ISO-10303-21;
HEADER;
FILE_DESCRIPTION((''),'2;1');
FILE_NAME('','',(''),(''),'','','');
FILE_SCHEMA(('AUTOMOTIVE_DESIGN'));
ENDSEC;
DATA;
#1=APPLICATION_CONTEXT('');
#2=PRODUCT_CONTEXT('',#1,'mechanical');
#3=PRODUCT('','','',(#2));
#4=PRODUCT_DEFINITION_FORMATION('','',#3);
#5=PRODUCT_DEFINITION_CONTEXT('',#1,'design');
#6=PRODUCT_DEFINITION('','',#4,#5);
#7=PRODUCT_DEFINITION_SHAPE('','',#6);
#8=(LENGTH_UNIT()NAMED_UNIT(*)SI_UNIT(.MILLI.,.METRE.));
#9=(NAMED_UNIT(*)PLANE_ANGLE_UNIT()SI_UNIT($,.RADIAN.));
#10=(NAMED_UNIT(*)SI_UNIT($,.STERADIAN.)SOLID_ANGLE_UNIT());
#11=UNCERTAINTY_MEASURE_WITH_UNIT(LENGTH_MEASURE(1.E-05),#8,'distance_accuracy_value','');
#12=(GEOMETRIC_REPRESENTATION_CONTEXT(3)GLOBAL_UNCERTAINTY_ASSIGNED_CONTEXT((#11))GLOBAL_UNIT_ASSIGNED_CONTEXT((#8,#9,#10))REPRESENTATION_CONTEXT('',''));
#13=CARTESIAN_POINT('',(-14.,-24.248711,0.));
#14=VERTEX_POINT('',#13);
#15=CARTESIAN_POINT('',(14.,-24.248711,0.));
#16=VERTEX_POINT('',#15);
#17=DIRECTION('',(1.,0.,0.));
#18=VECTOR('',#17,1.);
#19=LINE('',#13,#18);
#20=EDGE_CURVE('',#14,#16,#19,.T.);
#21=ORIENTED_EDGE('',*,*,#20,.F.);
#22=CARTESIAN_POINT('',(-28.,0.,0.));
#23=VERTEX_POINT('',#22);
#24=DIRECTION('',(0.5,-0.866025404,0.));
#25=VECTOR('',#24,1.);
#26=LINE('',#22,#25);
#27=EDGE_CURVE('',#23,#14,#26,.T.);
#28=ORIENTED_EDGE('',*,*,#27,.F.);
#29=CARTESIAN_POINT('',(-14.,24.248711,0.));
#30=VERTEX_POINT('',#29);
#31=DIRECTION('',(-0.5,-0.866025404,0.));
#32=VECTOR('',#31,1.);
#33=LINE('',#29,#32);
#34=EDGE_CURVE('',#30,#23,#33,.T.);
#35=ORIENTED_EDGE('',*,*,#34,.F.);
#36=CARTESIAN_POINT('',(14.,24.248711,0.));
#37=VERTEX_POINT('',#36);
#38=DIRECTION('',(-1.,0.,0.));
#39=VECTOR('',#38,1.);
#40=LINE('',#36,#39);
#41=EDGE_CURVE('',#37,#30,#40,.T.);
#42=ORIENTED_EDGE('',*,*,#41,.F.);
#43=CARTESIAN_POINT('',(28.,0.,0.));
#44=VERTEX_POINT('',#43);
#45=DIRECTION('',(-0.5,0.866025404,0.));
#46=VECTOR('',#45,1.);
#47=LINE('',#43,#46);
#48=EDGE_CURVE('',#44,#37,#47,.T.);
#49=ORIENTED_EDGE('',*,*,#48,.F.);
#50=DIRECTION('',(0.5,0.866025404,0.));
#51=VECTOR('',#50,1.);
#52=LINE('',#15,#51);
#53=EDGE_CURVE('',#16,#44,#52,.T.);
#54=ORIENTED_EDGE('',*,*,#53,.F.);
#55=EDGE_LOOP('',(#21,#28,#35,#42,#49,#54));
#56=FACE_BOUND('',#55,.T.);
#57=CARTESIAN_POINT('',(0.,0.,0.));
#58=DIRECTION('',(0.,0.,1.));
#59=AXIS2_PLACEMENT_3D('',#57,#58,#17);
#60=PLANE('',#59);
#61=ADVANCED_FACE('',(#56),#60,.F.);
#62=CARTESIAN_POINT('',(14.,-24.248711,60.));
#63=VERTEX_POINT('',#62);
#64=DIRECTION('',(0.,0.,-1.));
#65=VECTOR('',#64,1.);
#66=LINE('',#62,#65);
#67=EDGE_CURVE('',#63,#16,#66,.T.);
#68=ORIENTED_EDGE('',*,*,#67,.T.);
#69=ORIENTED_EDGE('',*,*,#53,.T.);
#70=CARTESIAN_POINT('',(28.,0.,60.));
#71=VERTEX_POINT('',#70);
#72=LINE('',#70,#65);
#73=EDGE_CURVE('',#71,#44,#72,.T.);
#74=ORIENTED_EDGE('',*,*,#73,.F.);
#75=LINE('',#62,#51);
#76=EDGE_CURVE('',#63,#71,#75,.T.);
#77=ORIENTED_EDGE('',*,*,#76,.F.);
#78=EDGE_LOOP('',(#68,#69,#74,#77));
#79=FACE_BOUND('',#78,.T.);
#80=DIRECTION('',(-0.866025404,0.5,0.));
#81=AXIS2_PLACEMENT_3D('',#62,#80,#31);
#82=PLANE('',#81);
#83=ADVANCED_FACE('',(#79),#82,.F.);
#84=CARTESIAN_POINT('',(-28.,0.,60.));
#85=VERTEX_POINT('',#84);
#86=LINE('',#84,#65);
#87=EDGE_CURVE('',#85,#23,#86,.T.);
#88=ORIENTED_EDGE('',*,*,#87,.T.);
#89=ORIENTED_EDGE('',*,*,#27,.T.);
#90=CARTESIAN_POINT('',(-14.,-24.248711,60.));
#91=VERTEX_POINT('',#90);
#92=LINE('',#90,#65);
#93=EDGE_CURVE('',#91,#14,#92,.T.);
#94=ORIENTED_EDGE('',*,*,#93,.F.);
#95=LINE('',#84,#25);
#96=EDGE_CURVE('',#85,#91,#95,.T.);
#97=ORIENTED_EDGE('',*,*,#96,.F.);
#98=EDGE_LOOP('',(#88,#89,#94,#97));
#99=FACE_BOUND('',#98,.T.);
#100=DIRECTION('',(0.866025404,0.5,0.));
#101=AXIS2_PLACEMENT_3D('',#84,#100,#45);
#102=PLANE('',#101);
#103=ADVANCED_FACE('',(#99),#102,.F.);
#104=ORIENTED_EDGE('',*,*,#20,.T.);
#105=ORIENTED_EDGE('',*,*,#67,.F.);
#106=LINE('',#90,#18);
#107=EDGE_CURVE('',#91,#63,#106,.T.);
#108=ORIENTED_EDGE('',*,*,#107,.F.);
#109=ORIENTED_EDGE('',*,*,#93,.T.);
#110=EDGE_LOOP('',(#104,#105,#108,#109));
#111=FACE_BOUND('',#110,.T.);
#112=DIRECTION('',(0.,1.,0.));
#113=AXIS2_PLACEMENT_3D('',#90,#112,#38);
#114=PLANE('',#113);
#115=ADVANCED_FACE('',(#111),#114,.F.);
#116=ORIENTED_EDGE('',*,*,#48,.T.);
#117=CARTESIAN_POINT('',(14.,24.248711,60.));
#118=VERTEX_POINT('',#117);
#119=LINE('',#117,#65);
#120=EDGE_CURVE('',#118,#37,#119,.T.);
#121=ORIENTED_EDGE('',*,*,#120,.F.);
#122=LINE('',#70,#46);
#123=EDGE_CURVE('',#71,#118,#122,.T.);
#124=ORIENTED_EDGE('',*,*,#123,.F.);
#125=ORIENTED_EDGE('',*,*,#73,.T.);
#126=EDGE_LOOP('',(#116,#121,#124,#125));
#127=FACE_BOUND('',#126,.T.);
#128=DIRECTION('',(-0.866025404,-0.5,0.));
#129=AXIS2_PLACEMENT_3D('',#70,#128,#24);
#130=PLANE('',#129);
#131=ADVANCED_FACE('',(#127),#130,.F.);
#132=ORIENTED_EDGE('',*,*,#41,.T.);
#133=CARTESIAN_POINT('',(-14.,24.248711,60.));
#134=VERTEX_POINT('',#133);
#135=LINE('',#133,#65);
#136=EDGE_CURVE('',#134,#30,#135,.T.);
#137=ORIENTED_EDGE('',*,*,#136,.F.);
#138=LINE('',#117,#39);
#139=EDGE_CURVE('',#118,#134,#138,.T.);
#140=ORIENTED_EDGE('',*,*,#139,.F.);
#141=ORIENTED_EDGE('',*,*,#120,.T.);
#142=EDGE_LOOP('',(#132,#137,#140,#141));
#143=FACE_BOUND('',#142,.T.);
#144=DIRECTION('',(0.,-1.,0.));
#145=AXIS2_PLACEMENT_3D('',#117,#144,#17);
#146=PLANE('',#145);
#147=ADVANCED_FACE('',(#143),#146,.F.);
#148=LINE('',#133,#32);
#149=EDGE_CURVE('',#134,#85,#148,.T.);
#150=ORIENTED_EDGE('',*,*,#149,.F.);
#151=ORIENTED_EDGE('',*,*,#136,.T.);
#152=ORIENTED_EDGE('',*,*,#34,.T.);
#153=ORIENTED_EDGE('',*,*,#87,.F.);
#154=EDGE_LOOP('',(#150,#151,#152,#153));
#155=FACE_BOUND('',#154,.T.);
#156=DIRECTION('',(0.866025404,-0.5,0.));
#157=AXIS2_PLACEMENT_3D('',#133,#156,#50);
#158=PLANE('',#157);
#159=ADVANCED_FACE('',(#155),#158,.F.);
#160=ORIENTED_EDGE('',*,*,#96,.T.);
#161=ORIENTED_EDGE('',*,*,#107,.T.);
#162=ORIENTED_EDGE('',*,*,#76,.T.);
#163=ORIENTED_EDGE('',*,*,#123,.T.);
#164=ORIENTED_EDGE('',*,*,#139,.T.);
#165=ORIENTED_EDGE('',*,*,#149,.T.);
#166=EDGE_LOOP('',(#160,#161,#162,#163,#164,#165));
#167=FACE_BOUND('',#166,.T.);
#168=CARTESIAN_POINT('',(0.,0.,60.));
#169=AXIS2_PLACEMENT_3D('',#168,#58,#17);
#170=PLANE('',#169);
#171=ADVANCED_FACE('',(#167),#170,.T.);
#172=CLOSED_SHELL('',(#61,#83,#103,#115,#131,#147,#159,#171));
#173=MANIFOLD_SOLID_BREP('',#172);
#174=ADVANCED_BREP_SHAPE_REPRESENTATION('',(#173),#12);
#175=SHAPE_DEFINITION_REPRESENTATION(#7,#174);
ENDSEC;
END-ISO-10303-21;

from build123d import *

# Parameters (mm, degrees)
PRISM_DEPTH = 60


with BuildPart() as part:
    # Sketch1 → Prism (new body)
    with BuildSketch(Plane.XY):
        Polygon((28, 0), (14, 24.248711306), (-14, 24.248711306), (-28, 0), (-14, -24.248711306), (14, -24.248711306), align=None)
    extrude(amount=PRISM_DEPTH)


solid = part.part
